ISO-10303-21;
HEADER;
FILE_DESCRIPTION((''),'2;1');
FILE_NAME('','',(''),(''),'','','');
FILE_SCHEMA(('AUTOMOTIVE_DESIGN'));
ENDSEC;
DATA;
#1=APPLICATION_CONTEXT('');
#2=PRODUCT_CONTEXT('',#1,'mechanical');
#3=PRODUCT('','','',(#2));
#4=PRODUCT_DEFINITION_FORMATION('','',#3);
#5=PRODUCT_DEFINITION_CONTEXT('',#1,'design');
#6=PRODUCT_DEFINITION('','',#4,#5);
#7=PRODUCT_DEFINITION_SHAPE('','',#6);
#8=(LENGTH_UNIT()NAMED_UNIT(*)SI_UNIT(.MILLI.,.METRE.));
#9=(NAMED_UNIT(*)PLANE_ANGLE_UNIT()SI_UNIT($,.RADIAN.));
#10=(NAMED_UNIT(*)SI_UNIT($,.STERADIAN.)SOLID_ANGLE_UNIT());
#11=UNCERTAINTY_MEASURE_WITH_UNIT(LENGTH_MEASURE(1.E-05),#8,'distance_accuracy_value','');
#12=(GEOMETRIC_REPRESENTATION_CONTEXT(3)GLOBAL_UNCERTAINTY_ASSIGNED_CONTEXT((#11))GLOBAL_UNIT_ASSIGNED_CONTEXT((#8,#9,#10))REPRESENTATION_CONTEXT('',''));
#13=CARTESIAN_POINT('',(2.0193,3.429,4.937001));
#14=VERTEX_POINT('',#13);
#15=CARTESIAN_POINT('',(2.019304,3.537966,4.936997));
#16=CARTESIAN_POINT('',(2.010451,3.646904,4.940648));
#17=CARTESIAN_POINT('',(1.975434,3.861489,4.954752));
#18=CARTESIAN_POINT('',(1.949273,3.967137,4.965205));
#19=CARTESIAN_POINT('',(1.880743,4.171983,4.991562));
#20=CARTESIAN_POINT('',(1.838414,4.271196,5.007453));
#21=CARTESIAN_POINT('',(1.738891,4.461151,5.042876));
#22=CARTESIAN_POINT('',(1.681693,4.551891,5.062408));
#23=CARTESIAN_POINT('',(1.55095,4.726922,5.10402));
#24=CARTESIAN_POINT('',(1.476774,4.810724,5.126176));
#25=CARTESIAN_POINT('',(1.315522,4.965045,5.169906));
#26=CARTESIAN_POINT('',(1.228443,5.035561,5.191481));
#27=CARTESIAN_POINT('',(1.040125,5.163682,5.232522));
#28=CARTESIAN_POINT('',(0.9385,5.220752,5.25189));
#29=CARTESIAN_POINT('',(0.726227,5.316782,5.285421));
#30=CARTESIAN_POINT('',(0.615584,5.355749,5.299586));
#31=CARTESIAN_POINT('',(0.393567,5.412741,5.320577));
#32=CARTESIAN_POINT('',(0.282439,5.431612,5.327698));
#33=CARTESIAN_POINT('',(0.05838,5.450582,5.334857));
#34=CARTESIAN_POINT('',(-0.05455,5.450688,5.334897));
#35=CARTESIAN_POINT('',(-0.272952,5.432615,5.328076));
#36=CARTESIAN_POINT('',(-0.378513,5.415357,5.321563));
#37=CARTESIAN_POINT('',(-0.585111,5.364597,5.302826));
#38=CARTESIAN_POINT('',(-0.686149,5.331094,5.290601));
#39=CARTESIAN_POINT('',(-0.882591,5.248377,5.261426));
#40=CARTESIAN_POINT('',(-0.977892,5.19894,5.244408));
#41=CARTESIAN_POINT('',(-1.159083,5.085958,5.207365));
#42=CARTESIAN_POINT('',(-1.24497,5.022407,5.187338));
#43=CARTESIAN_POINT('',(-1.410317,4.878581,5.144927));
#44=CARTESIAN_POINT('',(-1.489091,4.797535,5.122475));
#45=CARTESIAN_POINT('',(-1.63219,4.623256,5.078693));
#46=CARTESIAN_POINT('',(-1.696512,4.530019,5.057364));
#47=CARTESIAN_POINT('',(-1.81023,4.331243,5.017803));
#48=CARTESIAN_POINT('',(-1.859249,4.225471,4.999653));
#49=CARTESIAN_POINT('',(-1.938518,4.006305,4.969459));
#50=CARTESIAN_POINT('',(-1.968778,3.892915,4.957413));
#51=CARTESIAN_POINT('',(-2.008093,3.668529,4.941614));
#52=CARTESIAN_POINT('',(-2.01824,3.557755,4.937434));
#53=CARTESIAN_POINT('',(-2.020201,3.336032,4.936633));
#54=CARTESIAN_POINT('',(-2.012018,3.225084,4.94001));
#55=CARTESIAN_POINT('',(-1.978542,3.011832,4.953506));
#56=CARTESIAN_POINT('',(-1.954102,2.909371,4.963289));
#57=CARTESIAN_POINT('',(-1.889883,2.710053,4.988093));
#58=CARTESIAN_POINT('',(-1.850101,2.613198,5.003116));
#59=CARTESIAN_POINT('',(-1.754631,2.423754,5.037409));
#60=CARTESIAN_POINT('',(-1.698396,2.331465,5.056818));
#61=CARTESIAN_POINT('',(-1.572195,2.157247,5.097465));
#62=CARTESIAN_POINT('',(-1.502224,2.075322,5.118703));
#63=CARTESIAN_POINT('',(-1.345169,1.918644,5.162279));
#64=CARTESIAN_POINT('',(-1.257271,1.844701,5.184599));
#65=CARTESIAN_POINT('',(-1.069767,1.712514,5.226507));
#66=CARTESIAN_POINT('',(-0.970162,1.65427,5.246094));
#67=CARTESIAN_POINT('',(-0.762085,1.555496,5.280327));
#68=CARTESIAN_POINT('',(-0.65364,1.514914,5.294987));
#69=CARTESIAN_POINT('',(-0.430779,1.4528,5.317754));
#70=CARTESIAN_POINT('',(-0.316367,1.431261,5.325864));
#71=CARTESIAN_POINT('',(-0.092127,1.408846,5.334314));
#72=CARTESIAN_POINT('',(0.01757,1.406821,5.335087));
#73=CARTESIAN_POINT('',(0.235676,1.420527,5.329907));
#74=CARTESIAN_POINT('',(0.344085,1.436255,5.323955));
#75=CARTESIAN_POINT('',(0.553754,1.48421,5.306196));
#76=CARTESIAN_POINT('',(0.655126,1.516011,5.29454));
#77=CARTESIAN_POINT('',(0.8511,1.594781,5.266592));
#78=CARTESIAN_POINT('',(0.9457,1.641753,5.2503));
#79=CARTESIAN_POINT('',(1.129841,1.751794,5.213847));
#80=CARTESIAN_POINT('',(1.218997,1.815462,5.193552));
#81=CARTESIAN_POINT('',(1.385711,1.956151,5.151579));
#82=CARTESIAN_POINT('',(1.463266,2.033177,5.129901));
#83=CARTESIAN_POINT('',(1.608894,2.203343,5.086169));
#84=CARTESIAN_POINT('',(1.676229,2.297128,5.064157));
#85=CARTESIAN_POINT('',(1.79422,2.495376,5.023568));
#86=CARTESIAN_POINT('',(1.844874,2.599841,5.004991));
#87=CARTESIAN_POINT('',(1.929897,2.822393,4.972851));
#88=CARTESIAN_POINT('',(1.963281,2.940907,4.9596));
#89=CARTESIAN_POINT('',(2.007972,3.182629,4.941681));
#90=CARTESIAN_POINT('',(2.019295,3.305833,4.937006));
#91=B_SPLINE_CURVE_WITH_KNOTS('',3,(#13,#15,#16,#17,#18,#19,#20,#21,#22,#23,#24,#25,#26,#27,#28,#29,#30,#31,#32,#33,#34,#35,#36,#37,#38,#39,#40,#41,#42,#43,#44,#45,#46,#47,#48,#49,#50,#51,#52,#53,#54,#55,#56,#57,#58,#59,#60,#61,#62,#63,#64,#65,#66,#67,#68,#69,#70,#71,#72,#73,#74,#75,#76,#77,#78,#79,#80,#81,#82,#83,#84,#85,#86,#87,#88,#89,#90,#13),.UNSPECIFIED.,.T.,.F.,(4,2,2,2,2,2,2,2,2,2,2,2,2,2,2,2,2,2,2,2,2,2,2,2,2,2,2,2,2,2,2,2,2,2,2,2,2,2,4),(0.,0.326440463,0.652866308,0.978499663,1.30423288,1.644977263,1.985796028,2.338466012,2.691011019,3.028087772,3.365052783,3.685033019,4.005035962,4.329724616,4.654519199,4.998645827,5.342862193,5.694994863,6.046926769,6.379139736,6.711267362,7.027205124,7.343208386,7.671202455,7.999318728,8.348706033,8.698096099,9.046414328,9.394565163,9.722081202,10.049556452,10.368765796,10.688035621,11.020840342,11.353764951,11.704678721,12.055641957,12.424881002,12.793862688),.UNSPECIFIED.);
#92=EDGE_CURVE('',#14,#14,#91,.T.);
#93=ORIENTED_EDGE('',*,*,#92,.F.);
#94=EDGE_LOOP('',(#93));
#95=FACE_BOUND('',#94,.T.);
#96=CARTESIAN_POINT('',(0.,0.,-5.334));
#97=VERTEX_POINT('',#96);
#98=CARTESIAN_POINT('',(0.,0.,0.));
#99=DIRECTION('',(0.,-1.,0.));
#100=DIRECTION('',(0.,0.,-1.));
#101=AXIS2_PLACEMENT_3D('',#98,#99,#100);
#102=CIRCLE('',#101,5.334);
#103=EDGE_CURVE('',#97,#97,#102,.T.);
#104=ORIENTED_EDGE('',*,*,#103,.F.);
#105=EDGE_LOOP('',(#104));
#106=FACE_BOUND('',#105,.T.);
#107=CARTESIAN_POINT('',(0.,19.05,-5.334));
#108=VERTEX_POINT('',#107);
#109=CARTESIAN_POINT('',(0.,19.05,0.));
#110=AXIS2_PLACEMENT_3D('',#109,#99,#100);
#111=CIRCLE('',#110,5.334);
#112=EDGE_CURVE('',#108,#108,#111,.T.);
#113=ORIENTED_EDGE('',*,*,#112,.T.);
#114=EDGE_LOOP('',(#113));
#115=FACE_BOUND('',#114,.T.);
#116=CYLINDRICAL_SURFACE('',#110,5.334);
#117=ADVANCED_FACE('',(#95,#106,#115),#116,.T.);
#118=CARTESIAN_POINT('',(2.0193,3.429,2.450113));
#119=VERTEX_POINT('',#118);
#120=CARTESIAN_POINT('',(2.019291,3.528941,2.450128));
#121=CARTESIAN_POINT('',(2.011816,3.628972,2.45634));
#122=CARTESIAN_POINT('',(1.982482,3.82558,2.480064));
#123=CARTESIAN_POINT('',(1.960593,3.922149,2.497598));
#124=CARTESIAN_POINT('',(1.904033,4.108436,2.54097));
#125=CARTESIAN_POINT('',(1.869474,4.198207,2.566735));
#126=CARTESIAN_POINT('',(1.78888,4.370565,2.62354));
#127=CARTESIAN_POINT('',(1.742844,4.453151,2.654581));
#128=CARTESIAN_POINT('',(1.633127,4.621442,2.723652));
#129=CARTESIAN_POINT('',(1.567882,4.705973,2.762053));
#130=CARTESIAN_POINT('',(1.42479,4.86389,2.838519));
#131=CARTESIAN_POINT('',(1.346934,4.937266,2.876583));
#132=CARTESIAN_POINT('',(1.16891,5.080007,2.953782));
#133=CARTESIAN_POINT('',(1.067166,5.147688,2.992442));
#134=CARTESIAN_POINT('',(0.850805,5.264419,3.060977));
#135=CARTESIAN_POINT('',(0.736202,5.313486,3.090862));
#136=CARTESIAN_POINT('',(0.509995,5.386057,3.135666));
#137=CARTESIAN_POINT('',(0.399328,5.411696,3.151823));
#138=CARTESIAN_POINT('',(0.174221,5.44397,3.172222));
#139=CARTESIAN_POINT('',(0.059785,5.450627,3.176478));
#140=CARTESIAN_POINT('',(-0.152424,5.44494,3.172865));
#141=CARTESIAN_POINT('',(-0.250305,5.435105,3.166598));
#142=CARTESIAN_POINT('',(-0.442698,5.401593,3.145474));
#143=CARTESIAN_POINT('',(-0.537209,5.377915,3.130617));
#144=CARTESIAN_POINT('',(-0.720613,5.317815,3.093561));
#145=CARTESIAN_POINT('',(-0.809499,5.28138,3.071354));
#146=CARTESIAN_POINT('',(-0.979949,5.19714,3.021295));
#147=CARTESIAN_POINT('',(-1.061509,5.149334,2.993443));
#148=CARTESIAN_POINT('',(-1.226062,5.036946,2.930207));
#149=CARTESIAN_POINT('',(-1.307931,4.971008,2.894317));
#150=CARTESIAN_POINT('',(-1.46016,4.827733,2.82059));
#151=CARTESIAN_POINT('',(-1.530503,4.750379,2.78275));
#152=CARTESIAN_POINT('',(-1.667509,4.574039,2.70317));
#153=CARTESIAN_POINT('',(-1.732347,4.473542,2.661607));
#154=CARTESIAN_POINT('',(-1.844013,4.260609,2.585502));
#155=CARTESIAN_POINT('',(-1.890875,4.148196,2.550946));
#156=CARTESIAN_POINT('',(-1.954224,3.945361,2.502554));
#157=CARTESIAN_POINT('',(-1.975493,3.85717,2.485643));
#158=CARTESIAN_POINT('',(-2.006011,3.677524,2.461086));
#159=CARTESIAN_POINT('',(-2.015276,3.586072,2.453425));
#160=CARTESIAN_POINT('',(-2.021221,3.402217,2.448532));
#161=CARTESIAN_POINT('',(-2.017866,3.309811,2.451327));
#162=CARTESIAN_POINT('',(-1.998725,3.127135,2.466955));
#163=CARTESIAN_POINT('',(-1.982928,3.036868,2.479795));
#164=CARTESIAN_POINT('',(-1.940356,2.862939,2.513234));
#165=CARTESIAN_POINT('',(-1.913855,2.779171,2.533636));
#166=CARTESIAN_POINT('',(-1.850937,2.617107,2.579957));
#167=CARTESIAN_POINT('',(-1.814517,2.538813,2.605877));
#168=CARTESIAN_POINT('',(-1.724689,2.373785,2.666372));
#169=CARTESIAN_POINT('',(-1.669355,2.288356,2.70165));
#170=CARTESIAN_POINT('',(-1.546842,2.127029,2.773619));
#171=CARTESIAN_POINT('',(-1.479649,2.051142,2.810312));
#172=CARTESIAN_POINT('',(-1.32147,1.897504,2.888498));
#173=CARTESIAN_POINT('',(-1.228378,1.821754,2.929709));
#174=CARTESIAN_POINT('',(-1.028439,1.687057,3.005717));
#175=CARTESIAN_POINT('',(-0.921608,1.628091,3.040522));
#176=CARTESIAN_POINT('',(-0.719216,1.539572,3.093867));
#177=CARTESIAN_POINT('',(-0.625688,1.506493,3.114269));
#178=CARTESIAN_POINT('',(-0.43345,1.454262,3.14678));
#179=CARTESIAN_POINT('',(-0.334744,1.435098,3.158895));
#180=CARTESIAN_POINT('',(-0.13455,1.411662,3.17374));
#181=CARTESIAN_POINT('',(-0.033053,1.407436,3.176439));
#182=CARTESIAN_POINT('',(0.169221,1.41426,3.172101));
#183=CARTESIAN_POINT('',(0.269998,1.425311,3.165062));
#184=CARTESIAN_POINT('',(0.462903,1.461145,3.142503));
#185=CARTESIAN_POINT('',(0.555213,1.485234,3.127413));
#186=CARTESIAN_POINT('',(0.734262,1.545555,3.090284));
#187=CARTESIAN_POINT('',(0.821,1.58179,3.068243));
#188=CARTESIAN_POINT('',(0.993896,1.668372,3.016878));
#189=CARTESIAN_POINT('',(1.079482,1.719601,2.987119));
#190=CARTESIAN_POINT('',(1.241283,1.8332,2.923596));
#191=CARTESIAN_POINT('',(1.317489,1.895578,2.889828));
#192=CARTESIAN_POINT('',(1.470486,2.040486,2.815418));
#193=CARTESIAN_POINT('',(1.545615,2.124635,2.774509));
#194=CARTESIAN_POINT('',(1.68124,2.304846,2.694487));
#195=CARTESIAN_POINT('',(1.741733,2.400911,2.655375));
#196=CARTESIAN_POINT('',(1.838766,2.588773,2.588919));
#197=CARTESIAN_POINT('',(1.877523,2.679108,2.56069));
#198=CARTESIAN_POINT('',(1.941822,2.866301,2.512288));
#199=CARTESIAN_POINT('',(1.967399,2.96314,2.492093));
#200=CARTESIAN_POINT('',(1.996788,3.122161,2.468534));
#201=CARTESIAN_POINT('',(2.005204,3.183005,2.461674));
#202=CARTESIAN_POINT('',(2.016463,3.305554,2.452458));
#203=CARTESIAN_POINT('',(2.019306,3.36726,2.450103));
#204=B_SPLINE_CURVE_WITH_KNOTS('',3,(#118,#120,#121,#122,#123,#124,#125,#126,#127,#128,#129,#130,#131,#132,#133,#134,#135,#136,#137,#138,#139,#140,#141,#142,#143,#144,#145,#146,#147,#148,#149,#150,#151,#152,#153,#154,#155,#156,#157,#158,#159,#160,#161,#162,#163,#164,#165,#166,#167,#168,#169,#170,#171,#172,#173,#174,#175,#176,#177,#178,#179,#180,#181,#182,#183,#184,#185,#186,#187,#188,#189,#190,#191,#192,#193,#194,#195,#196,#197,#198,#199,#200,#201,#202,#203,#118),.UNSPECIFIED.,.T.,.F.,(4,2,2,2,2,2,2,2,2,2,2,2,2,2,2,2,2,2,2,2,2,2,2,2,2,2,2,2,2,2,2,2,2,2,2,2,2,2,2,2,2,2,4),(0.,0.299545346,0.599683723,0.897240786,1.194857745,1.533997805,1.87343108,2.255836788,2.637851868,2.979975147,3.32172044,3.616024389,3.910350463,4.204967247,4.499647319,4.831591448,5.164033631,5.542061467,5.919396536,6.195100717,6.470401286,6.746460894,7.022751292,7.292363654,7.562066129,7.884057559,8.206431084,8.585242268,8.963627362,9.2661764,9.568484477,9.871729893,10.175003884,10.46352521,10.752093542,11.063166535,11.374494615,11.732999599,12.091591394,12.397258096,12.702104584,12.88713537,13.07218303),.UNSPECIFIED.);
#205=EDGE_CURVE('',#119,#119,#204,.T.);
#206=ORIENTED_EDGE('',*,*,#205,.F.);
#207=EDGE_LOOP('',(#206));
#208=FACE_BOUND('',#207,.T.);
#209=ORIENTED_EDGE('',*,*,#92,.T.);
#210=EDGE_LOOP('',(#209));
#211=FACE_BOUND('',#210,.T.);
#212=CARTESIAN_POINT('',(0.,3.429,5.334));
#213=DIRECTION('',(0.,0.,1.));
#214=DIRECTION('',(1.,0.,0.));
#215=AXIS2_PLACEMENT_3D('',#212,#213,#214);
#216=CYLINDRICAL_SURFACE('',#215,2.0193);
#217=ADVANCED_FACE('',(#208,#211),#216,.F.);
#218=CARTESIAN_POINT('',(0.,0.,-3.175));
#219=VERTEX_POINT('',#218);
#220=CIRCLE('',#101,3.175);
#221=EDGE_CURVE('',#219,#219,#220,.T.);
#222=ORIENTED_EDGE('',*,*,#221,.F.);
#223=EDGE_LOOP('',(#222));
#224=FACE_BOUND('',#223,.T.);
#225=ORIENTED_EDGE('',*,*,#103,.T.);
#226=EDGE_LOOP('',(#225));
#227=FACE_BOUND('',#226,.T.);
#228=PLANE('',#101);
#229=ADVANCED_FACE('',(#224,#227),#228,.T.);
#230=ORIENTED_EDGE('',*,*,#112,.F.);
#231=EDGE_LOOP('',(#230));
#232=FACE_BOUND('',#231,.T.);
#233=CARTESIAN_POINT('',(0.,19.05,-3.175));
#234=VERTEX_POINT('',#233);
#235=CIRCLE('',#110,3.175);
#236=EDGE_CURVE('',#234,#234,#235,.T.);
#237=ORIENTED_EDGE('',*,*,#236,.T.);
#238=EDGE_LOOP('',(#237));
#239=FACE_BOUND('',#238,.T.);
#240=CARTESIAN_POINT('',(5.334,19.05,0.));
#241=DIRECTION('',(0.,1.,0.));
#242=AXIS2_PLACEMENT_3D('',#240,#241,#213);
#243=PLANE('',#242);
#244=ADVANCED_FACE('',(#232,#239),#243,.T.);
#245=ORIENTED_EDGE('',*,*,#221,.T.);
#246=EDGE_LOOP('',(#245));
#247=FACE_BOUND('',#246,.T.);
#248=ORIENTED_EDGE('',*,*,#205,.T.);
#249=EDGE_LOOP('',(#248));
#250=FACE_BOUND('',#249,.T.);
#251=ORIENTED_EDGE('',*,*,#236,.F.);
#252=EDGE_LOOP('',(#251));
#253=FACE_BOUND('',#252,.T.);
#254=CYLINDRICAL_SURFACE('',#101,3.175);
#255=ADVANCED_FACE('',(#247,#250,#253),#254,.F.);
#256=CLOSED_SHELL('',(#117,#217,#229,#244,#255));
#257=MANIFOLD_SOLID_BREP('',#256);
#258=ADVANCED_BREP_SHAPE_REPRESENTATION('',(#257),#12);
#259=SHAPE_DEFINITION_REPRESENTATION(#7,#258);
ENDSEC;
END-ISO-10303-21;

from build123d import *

# Parameters (mm, degrees)
SKETCH1_W                        = 5.334
SKETCH1_H                        = 19.05
F_1_4_0_25_DIAMETER_HOLE1_D      = 6.35
F_21_0_159_DIAMETER_HOLE1_REACH  = 21.654
F_21_0_159_DIAMETER_HOLE1_BORE_R = 2.0193


with BuildPart() as part:
    # Sketch1 → Revolve1 (revolve)
    with BuildSketch(Plane.XY, mode=Mode.PRIVATE) as revolve1_sk:
        with Locations((2.667, 9.525)):
            Rectangle(SKETCH1_W, SKETCH1_H)
    revolve(revolve1_sk.sketch.rotate(Axis((0, 19.05, 0), (0, -1, 0)), 270), axis=Axis((0, 19.05, 0), (0, -1, 0)))

    # 1/4 (0.25) Diameter Hole1 (through all)
    with Locations(Plane(origin=(0, 0, 0), x_dir=(-1, 0, 0), z_dir=(0, -1, 0))):
        with Locations((0, 0)):
            Hole(F_1_4_0_25_DIAMETER_HOLE1_D / 2)

    # #21 (0.159) Diameter Hole1 bore (on position points) → #21 (0.159) Diameter Hole1 (cut, up to next)
    with BuildSketch(Plane(origin=(0, 3.429, 5.334), x_dir=(1, 0, 0), z_dir=(0, 0, 1)), mode=Mode.PRIVATE) as f_21_0_159_diameter_hole1_sk1:
        Circle(F_21_0_159_DIAMETER_HOLE1_BORE_R)
    f_21_0_159_diameter_hole1_tool1 = extrude(f_21_0_159_diameter_hole1_sk1.sketch, amount=-F_21_0_159_DIAMETER_HOLE1_REACH, mode=Mode.PRIVATE) & part.part
    add(f_21_0_159_diameter_hole1_tool1.solids().sort_by_distance((0, 3.429, 5.334))[0], mode=Mode.SUBTRACT)


solid = part.part
